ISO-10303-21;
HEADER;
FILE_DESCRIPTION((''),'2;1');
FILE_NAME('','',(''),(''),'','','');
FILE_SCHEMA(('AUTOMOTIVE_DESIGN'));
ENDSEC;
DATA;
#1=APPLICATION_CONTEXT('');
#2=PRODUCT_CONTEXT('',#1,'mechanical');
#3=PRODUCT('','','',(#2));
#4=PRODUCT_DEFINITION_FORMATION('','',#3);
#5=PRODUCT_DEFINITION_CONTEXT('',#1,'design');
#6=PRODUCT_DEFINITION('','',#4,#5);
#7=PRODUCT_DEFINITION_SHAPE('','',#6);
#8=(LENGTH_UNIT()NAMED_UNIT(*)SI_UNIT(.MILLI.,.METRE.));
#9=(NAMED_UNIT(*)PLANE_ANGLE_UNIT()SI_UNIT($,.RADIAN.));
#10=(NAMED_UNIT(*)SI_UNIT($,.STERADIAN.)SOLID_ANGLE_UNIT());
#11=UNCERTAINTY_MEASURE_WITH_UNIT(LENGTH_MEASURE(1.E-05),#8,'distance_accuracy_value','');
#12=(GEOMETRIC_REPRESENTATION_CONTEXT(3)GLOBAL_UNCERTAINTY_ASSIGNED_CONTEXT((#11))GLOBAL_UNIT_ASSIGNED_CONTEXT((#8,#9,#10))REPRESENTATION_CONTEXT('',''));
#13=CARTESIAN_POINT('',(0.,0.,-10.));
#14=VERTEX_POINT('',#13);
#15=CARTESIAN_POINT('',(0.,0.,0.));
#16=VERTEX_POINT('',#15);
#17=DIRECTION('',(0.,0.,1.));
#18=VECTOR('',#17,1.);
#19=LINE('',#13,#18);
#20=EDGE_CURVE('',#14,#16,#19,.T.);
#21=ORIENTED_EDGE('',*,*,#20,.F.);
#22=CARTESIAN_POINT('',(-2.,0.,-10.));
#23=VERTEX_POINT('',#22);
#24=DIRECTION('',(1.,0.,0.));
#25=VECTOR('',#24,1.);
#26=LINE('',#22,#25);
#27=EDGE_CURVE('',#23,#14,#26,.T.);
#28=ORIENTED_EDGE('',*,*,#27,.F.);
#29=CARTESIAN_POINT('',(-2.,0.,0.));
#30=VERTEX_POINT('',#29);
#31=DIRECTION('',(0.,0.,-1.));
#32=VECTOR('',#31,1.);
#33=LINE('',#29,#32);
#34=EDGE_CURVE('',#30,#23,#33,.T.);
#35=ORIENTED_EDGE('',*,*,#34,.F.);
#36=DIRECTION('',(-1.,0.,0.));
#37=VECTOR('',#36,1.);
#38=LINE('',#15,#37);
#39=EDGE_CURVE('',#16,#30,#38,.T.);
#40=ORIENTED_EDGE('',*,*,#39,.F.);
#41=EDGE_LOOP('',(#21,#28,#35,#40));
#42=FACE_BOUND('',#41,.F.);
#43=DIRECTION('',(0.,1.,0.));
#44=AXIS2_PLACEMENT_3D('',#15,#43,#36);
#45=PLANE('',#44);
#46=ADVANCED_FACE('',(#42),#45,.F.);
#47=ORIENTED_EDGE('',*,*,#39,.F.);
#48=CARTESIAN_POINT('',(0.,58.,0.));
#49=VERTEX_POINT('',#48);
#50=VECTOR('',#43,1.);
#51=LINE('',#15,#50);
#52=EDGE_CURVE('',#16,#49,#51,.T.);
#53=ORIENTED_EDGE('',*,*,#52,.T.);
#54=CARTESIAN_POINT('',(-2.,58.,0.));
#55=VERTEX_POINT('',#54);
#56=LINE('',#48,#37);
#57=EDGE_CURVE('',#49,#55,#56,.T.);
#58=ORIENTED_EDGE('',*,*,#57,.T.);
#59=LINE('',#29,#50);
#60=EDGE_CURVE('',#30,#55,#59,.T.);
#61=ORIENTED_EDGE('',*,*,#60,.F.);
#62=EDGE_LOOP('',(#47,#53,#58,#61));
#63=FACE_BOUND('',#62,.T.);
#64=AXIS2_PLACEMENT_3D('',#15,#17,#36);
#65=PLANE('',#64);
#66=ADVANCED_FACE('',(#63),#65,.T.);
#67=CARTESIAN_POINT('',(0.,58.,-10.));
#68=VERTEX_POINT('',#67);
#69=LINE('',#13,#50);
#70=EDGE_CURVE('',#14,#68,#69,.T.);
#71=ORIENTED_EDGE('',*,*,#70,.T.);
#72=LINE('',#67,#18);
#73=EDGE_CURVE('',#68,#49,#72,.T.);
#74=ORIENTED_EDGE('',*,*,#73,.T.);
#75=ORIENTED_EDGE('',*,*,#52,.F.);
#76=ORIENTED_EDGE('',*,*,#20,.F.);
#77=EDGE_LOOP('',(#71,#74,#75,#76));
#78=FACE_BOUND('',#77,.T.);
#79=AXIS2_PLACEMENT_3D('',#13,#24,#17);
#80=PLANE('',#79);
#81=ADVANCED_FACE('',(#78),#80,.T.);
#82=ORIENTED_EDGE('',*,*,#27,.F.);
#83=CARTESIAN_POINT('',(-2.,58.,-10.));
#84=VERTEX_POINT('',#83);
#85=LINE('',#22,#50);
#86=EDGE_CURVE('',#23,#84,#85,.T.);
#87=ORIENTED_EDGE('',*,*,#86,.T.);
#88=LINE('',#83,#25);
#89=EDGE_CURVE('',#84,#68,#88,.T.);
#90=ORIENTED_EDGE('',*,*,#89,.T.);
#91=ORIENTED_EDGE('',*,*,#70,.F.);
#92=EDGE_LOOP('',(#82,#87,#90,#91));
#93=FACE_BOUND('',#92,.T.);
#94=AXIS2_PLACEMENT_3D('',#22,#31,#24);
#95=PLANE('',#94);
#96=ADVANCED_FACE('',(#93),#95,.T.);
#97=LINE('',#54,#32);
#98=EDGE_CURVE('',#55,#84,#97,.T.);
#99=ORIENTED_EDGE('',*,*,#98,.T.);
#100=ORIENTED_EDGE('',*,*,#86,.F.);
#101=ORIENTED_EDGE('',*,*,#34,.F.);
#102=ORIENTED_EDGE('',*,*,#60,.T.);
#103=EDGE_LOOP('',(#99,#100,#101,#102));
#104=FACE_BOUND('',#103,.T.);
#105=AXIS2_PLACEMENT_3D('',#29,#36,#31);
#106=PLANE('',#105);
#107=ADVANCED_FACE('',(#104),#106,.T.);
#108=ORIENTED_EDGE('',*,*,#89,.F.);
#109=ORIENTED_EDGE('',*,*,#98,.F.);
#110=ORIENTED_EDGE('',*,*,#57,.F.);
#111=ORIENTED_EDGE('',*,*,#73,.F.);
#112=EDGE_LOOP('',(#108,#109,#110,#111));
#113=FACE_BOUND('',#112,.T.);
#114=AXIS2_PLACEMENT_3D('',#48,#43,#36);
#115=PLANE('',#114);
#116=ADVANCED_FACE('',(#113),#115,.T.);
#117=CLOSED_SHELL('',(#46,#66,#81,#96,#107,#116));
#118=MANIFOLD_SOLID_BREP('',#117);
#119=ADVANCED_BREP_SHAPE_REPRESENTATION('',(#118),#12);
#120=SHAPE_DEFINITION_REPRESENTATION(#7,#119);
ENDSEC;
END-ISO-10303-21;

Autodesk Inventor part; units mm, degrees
ref_plane "YZ Plane" through (0, 0, 0) normal (1, 0, 0) x (0, 1, 0)
ref_plane "XZ Plane" through (0, 0, 0) normal (0, 1, 0) x (-1, 0, 0)
ref_plane "XY Plane" through (0, 0, 0) normal (0, 0, 1) x (1, 0, 0)
sketch "Sketch1" plane through (0, 0, 0) normal (0, 1, 0) x (-1, 0, 0)
  line L0 (0, 0) -> (2, 0)
  line L1 (2, 0) -> (2, -10)
  line L2 (2, -10) -> (0, -10)
  line L3 (0, -10) -> (0, 0)
  dimension "d0" = 10
  dimension "d1" = 2
extrude "Extrusion1" add sketch "Sketch1" along normal blind 58
properties part number "aileron_traverse"
